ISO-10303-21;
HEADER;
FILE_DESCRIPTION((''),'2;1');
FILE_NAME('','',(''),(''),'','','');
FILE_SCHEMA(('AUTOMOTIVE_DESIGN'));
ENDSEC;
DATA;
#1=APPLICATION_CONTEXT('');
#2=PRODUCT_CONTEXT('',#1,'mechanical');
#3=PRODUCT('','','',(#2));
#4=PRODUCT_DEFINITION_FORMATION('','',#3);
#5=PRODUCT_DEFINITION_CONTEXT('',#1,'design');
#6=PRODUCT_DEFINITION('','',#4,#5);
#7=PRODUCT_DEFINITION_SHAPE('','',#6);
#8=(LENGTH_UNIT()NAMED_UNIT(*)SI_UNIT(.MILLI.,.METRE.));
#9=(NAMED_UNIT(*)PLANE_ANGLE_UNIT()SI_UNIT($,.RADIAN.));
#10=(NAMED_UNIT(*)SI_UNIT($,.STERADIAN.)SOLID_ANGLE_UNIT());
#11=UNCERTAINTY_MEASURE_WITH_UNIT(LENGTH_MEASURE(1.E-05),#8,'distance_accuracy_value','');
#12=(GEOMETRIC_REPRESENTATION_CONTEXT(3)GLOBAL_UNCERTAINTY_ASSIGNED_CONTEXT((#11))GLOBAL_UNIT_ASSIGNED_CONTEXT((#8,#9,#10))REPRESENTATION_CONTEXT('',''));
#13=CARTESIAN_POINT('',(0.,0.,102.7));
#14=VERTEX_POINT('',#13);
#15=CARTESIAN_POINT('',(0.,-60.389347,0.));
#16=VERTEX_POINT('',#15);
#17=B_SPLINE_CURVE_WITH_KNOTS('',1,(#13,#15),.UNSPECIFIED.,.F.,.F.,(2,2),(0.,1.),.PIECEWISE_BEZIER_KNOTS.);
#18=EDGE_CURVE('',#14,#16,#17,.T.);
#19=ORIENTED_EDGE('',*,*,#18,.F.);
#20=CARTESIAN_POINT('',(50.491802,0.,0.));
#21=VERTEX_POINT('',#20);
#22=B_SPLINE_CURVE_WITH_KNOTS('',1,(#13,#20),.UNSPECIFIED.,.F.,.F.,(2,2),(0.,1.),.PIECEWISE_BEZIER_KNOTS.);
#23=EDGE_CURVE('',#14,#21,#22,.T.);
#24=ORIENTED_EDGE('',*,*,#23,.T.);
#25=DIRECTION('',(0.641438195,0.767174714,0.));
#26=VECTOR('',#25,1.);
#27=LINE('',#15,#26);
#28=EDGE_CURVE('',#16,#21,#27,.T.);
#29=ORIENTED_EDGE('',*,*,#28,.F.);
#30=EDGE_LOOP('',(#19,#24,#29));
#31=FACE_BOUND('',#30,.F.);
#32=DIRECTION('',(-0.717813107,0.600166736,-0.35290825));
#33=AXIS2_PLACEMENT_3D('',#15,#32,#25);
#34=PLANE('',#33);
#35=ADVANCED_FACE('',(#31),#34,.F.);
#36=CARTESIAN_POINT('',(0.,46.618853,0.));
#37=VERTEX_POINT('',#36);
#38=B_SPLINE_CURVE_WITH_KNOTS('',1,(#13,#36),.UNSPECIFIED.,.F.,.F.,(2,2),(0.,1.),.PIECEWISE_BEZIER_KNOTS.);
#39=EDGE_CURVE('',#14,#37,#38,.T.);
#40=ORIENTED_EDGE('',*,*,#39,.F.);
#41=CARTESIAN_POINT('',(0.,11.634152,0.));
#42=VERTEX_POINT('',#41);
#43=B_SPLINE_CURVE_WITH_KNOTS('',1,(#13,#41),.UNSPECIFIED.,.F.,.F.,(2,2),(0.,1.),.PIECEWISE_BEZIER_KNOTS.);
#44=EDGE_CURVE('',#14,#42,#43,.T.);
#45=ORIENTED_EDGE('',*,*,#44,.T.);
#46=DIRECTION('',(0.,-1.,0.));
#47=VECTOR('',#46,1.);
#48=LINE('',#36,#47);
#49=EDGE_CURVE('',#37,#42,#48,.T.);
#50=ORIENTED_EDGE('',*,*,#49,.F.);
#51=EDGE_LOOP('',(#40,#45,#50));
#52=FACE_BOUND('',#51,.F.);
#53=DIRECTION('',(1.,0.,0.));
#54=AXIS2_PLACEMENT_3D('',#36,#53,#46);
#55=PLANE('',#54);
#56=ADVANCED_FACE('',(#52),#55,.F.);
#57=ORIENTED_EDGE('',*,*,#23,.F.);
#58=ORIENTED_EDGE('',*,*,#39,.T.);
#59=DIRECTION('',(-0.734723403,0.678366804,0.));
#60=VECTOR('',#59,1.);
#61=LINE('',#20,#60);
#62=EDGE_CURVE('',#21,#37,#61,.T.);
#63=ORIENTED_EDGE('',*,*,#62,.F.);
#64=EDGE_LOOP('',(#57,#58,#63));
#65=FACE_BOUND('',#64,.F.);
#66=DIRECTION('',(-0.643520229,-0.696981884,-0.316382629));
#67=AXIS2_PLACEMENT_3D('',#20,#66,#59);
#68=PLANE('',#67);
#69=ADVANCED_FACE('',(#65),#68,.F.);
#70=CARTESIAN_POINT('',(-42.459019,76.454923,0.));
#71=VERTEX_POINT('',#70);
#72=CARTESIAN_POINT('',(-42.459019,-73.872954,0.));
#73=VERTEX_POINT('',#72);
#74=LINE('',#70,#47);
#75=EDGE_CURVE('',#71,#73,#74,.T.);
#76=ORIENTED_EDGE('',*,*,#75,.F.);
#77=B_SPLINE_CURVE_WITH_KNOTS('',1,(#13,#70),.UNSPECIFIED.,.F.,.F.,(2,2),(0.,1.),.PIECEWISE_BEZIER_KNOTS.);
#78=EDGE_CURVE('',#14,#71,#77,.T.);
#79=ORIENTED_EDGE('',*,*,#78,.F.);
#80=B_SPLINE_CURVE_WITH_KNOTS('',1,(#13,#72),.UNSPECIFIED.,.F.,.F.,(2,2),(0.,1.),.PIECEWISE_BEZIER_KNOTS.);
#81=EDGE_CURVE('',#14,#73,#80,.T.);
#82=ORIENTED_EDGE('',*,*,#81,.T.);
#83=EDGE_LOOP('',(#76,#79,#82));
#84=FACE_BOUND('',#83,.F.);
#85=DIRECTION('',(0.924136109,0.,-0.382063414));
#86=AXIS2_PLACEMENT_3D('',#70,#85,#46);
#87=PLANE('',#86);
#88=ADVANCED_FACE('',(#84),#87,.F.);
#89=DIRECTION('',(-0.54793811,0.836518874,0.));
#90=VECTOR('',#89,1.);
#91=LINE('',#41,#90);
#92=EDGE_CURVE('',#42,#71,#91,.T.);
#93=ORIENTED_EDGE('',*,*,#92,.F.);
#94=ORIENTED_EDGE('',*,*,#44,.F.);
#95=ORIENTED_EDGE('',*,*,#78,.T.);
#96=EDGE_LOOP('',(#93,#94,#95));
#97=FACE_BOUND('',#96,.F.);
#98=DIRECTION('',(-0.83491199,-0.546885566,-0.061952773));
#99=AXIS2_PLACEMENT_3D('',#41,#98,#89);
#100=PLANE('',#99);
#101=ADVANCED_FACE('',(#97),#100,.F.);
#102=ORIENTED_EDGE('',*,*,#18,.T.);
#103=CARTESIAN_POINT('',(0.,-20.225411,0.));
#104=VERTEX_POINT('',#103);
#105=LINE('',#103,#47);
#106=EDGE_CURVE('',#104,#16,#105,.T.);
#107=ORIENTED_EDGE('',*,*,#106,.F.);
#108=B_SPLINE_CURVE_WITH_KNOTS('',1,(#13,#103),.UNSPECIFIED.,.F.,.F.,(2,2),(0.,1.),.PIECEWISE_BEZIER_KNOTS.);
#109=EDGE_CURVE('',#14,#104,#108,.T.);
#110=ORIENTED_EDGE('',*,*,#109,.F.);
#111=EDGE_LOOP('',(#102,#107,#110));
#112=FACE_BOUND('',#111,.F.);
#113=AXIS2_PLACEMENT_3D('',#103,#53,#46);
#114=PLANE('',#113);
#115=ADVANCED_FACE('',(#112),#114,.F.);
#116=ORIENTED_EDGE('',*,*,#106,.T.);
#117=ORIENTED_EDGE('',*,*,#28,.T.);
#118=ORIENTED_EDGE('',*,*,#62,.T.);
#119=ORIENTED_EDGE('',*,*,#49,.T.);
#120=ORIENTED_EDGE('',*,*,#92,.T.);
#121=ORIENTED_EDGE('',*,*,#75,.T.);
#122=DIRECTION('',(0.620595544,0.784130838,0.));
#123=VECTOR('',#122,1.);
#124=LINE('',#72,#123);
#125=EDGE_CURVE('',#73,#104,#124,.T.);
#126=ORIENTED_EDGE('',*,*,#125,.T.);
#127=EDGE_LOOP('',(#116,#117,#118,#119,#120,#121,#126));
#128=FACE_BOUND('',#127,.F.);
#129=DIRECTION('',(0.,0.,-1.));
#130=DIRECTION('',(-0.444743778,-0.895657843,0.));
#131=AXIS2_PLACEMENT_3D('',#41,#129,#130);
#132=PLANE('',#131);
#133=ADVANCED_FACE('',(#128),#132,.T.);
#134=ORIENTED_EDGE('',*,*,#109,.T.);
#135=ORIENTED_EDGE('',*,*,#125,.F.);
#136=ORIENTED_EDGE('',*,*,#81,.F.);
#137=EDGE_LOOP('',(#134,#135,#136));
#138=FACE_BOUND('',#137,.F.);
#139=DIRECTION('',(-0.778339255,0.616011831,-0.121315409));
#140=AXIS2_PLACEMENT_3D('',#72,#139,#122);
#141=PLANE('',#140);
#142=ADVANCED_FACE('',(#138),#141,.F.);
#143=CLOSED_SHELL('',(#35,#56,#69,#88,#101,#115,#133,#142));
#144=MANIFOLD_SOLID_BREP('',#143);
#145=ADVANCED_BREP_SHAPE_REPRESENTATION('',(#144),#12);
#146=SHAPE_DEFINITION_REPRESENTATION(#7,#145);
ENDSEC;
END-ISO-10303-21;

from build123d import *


with BuildPart() as f3:
    # F0 (on Top) → F3 section 0
    with BuildSketch(Plane.XY, mode=Mode.PRIVATE) as f3_s0:
        Polygon((0, 11.634152), (-42.459019, 76.454923), (-42.459019, -73.872954), (0, -20.225411), (0, -60.389347), (50.491802, 0), (0, 46.618853), align=None)
    loft([Vertex(0, 0, 102.7), f3_s0.sketch])


solid = f3.part
